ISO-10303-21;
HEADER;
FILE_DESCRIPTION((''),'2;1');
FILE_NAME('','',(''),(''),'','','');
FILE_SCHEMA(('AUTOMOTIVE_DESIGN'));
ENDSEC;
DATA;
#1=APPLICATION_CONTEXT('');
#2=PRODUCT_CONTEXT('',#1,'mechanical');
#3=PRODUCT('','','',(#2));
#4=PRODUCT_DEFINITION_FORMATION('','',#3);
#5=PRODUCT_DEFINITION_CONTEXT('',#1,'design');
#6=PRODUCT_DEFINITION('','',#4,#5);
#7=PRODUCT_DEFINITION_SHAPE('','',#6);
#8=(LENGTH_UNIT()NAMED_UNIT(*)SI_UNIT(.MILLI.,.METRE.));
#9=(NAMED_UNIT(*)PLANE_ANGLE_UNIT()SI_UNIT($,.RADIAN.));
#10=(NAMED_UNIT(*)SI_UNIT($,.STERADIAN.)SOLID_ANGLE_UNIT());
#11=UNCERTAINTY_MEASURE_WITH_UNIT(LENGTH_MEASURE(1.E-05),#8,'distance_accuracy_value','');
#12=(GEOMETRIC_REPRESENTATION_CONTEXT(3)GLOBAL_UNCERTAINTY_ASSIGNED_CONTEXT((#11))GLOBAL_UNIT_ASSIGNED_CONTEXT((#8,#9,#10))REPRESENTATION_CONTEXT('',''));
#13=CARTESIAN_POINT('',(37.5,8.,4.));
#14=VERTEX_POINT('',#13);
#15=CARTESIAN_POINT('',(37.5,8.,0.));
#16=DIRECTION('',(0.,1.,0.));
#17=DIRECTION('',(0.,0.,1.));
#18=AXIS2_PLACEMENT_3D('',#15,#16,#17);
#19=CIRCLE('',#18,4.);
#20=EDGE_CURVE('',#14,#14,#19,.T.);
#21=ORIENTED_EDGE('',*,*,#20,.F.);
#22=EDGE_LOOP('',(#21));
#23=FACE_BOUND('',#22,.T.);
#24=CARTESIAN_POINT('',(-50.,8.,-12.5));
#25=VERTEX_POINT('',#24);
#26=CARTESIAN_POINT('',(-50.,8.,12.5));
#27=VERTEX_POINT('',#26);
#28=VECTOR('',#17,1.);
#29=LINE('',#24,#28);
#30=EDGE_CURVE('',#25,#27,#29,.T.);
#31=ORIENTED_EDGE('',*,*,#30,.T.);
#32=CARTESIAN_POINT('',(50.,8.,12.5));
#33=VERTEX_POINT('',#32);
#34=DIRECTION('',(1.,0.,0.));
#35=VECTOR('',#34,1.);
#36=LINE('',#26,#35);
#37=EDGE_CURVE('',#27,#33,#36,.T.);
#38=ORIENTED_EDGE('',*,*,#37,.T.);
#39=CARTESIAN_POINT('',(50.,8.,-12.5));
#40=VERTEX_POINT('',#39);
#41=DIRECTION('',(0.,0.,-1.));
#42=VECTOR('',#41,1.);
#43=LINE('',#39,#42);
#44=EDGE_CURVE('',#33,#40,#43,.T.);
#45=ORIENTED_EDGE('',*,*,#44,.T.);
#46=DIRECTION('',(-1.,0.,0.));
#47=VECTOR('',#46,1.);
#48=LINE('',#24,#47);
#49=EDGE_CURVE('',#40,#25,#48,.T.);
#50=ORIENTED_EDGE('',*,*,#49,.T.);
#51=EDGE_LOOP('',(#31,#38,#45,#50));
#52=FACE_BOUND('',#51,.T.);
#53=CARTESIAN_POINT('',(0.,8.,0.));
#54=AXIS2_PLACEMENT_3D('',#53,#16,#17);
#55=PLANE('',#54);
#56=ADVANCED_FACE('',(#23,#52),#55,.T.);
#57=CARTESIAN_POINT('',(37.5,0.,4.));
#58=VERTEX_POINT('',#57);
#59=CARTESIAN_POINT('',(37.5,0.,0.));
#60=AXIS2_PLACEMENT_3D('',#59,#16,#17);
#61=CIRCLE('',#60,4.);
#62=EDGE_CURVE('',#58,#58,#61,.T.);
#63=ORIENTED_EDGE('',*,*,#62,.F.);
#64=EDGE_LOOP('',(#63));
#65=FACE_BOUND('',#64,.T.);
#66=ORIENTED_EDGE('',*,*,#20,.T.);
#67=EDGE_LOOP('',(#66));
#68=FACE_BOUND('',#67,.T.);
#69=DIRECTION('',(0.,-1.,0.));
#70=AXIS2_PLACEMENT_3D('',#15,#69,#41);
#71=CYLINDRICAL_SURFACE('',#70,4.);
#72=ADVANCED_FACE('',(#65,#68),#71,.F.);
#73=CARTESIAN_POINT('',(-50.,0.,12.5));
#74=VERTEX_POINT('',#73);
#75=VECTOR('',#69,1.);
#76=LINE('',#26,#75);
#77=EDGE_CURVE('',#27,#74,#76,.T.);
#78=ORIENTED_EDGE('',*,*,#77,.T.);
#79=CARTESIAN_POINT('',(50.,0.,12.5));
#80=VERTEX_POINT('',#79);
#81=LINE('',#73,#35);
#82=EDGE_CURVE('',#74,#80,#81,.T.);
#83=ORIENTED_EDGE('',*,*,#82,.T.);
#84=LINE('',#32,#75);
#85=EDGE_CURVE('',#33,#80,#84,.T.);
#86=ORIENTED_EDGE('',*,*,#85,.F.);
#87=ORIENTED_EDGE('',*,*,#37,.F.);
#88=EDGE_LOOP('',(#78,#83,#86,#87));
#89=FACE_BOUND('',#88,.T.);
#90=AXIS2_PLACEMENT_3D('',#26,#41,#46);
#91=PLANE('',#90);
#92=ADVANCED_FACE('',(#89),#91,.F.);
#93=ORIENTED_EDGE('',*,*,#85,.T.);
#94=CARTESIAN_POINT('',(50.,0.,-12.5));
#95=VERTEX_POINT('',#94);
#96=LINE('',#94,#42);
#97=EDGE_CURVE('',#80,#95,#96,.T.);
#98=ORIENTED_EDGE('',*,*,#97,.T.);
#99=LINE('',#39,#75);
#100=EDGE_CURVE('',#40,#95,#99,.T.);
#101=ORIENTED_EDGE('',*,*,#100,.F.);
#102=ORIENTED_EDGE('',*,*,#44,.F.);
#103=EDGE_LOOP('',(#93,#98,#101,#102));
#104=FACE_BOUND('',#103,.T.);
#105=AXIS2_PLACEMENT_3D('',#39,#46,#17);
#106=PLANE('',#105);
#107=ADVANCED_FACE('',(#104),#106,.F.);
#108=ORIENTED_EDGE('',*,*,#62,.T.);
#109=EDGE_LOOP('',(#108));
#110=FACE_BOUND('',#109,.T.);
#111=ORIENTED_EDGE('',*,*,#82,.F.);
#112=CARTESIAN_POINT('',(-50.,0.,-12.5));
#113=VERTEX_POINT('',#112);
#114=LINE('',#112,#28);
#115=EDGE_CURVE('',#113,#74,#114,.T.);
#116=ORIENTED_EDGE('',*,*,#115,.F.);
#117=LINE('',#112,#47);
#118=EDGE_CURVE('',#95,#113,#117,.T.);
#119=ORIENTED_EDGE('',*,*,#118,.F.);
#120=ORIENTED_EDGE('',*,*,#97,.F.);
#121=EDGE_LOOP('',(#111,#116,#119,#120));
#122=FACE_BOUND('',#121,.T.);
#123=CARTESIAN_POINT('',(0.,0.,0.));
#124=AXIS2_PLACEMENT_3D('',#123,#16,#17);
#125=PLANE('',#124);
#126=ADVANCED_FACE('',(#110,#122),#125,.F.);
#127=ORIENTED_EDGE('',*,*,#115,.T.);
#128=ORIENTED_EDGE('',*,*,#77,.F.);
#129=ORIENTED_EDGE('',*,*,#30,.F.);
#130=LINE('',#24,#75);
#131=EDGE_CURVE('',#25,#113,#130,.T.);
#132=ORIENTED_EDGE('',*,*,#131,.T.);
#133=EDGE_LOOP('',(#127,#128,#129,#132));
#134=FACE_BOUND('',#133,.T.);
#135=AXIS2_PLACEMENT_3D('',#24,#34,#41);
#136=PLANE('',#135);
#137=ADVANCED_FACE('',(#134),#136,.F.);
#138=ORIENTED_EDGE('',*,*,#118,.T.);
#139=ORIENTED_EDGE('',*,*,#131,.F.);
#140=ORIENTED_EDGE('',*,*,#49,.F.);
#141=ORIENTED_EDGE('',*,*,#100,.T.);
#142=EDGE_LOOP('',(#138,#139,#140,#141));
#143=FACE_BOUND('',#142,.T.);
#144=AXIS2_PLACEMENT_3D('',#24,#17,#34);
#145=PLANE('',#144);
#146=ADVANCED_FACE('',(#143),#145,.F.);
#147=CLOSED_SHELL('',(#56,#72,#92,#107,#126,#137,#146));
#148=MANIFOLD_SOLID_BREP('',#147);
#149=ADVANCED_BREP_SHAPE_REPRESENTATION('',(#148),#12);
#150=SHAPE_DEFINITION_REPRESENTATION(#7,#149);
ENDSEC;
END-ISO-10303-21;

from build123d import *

# Parameters (mm, degrees)
SKETCH1_W           = 100
SKETCH1_H           = 25
SKETCH1_R           = 4
BOSS_EXTRUDE1_DEPTH = 8


with BuildPart() as part:
    # Sketch1 → Boss-Extrude1 (new body)
    with BuildSketch(Plane(origin=(0, 0, 0), x_dir=(1, 0, 0), z_dir=(0, 1, 0))):
        Rectangle(SKETCH1_W, SKETCH1_H)
        with Locations(Location((37.5, 0, 0), (0, 0, 270))):
            Circle(SKETCH1_R, mode=Mode.SUBTRACT)
    extrude(amount=BOSS_EXTRUDE1_DEPTH)


solid = part.part
